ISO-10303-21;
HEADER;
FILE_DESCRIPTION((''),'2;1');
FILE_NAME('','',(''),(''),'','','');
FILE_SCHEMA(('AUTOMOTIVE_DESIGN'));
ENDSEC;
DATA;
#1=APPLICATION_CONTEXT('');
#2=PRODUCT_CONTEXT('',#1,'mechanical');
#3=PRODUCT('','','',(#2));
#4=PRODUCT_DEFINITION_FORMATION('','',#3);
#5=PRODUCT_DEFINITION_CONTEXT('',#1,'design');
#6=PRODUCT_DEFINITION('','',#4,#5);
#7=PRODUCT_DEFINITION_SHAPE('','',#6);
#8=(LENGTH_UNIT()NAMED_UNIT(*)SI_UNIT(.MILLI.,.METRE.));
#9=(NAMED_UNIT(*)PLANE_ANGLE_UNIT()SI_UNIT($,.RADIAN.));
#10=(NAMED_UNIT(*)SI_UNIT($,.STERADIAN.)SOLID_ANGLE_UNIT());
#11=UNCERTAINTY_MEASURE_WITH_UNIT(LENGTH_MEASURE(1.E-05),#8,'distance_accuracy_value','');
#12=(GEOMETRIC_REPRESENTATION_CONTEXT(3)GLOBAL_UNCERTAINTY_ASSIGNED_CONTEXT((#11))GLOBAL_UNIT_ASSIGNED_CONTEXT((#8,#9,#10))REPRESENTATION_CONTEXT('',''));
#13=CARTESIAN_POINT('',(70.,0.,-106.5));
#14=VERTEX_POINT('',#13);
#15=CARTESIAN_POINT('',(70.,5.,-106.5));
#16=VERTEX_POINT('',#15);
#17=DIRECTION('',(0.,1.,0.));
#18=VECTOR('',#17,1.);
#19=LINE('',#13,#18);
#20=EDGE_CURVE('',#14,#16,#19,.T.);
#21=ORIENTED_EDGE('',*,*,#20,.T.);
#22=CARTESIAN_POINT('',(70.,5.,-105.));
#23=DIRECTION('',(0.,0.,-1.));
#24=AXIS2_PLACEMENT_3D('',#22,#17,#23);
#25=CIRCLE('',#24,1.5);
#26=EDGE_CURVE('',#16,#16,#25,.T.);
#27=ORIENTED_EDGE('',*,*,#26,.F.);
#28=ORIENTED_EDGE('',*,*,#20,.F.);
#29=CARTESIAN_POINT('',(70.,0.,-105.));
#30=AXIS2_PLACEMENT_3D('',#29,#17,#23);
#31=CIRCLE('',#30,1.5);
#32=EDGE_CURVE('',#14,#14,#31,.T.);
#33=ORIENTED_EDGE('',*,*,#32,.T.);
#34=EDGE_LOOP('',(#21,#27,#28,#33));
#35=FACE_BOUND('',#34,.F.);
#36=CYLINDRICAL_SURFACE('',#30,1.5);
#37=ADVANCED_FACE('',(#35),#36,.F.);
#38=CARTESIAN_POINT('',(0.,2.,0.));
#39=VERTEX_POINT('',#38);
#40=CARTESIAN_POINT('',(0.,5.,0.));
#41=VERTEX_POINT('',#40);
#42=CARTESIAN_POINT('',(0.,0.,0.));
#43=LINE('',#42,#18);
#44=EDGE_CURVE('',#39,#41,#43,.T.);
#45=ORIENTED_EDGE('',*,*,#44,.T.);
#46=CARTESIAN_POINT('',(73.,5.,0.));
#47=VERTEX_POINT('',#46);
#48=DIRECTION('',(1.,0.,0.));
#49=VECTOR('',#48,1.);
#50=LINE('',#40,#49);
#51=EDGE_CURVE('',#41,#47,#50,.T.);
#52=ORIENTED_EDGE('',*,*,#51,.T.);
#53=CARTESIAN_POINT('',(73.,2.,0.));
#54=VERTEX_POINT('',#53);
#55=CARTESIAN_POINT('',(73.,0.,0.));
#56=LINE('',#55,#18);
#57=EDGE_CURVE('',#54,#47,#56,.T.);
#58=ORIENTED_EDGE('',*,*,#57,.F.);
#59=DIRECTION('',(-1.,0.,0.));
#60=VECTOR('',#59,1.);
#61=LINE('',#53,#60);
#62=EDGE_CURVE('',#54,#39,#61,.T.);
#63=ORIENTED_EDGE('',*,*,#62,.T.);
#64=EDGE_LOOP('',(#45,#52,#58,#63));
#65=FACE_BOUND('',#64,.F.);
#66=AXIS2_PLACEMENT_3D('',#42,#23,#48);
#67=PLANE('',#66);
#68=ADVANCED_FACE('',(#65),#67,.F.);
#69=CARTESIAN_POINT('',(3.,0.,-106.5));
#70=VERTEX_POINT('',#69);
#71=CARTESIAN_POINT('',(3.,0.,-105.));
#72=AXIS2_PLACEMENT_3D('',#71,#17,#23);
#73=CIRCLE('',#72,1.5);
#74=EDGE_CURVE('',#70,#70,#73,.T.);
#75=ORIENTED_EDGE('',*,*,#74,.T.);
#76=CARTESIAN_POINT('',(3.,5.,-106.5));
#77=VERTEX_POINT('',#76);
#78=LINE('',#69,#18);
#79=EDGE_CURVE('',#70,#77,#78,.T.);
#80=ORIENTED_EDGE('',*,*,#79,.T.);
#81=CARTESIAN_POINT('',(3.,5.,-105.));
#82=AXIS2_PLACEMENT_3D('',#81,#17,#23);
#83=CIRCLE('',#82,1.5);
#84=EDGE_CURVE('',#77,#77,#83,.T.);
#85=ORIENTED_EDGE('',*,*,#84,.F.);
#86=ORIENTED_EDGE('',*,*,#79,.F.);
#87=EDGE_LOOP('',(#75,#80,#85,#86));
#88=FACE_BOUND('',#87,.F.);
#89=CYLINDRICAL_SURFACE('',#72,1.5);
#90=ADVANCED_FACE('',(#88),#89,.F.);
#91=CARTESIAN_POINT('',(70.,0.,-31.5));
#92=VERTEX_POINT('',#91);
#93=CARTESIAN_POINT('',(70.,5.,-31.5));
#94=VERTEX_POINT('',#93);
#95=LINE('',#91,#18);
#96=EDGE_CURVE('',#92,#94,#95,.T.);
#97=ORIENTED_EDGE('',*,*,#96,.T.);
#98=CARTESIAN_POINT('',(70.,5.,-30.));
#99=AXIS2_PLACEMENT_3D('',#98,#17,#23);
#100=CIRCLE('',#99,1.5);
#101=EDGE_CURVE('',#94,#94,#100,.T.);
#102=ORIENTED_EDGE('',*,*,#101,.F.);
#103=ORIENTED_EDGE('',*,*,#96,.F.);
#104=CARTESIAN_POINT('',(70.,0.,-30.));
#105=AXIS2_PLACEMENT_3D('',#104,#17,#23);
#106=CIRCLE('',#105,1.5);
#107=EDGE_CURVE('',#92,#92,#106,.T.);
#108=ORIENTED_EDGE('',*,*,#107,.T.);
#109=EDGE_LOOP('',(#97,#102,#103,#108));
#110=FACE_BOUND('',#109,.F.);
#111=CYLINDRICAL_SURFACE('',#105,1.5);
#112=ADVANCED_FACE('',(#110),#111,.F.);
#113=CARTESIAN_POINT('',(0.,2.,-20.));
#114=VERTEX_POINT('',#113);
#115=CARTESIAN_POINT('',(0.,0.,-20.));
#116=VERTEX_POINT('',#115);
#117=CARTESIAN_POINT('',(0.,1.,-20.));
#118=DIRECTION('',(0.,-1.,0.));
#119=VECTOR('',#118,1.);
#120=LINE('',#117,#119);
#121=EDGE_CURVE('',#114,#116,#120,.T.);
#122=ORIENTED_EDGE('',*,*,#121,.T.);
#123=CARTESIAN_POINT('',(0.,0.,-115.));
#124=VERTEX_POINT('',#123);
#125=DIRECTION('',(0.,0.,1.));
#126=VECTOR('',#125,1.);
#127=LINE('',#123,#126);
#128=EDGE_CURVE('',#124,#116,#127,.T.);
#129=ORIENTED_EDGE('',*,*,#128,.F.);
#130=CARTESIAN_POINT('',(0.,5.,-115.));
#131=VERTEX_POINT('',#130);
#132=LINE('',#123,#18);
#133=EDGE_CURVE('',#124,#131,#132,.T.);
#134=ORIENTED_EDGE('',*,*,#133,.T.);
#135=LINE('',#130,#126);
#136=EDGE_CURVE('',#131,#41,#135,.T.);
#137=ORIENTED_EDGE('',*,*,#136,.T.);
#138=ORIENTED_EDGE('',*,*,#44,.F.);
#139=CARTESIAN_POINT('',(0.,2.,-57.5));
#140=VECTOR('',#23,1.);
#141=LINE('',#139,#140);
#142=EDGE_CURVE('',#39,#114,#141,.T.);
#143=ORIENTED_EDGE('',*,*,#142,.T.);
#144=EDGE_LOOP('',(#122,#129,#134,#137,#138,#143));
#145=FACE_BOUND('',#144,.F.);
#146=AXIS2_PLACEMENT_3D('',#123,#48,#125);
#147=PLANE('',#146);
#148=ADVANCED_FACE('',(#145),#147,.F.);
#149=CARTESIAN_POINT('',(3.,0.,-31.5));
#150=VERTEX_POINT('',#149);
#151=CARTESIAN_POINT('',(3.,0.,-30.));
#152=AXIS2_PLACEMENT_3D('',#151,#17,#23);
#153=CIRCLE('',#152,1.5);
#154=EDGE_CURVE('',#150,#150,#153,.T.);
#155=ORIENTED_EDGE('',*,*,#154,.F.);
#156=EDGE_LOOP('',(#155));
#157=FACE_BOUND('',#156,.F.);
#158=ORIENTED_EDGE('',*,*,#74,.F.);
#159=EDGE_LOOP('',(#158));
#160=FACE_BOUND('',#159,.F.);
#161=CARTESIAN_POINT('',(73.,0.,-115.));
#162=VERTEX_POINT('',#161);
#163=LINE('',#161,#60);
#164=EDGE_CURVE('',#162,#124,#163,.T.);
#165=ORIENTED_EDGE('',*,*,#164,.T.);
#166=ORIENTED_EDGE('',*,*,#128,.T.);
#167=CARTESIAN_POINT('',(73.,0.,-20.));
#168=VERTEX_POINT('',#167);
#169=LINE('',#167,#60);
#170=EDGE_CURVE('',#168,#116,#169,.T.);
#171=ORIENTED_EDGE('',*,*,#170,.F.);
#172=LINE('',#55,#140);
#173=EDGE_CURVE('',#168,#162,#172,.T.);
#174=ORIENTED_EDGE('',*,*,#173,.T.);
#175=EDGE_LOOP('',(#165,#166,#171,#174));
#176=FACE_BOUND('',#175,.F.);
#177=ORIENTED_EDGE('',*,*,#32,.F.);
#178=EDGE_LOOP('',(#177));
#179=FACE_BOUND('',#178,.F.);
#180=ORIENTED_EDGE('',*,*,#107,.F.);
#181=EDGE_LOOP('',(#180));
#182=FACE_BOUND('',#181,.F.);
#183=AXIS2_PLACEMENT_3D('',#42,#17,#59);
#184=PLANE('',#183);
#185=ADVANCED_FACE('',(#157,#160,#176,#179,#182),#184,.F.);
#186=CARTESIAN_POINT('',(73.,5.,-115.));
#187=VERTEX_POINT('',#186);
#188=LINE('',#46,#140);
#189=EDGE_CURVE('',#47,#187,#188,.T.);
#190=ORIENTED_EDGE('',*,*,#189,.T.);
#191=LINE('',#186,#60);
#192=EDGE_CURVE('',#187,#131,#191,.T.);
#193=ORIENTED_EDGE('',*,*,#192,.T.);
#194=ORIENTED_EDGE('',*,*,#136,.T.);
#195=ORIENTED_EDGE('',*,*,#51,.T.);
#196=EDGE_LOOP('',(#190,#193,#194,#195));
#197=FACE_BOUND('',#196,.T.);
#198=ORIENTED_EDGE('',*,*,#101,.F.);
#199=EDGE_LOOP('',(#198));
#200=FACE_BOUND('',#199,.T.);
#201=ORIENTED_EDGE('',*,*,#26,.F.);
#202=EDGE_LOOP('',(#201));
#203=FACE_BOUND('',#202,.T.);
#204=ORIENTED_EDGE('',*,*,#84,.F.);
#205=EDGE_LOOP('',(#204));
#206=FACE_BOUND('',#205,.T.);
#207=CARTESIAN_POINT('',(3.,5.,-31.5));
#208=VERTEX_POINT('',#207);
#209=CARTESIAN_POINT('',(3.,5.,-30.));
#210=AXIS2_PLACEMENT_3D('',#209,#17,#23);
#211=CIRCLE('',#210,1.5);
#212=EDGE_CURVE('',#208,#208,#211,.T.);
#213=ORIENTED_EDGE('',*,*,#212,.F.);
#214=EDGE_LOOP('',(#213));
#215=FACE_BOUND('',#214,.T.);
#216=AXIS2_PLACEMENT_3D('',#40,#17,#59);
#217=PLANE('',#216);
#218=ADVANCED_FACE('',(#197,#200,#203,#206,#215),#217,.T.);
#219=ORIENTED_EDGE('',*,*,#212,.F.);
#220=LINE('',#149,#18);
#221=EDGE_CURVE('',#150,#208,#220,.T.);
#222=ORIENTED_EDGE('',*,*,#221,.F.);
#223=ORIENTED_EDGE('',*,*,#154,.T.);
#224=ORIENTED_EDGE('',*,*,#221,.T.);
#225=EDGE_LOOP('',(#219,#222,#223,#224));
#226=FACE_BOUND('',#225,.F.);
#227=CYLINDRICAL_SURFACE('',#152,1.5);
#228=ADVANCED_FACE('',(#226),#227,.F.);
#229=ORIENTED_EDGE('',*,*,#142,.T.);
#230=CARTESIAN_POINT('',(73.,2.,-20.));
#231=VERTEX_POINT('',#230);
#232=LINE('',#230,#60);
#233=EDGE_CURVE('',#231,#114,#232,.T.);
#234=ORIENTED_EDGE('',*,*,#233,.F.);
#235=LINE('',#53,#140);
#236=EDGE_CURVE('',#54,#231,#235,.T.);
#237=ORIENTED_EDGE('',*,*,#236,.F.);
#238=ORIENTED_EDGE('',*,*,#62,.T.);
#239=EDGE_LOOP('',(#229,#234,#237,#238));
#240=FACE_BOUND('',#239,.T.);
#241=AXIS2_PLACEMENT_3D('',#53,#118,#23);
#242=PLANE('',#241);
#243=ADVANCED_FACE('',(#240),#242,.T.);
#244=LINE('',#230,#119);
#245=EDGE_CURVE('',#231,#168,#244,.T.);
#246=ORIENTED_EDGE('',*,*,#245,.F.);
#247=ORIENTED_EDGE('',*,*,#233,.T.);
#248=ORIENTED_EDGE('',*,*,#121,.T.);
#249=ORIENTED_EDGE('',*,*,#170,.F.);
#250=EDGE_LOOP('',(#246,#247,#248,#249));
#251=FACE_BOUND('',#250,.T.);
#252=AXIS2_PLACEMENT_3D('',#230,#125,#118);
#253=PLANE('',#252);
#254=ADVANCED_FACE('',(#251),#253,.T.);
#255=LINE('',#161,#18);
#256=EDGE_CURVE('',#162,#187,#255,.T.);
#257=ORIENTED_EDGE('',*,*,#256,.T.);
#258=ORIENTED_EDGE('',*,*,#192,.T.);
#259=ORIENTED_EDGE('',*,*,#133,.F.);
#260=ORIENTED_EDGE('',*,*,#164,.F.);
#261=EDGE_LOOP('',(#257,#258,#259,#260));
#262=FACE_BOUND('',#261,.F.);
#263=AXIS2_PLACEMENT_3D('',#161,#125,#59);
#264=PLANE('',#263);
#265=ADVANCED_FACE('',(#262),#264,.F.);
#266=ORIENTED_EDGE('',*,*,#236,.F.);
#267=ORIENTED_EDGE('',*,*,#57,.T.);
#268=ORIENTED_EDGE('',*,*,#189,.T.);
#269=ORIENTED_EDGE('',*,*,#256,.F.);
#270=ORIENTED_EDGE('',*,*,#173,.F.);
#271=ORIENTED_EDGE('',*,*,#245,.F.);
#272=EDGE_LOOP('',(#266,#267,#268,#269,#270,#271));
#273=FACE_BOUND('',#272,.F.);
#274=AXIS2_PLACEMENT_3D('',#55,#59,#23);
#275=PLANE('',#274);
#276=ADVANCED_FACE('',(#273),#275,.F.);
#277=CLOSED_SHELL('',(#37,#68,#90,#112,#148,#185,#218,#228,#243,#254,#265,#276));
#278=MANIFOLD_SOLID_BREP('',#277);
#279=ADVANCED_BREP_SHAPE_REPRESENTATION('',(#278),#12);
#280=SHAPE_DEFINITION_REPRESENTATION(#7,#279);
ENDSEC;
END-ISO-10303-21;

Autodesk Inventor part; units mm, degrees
ref_plane "YZ Plane" through (0, 0, 0) normal (1, 0, 0) x (0, 1, 0)
ref_plane "XZ Plane" through (0, 0, 0) normal (0, 1, 0) x (-1, 0, 0)
ref_plane "XY Plane" through (0, 0, 0) normal (0, 0, 1) x (1, 0, 0)
sketch "Sketch1" plane through (0, 0, 0) normal (0, 1, 0) x (-1, 0, 0)
  line L0 (0, 0) -> (-73, 0)
  line L1 (-73, 0) -> (-73, -115)
  line L2 (-73, -115) -> (0, -115)
  line L3 (0, -115) -> (0, 0)
  dimension "d0" = 115
  dimension "d1" = 73
extrude "Extrusion1" add sketch "Sketch1" along normal blind 5
sketch "Sketch2" plane through (73, 0, 0) normal (1, 0, 0) x (0, 0, -1)
  line L0 (0, 0) -> (0, 5) construction
  line L1 (0, 0) -> (115, 0) construction
  line L2 (0, 2) -> (20, 2)
  line L3 (20, 2) -> (20, 0)
  line L4 (0, 2) -> (0, 0)
  line L5 (20, 0) -> (0, 0)
  dimension "d4" = 20
  dimension "d5" = 2
extrude "Extrusion2" cut sketch "Sketch2" against normal through all
sketch "Sketch3" plane through (0, 0, 0) normal (0, -1, 0) x (1, 0, 0)
  line L0 (0, -115) -> (0, 0) construction
  line L1 (73, -115) -> (0, -115) construction
  line L2 (0, 0) -> (73, 0) construction
  line L3 (73, 0) -> (73, -115) construction
  line L4 (73, -20) -> (0, -20) construction
  line L5 (36.5, -115) -> (36.5, -20) construction
  line L6 (73, -20) -> (0, -20) construction
  point P0 (3, -105)
  point P1 (3, -30)
  point P2 (70, -105)
  point P3 (70, -30)
  dimension "d8" = 10
  dimension "d9" = 3
  dimension "d10" = 3
  dimension "d11" = 10
hole "Hole1" at (3, 0, -105) at (3, 0, -30) at (70, 0, -105) at (70, 0, -30) direction (0, 1, 0) diameter 3 end through all
equation "\"d10\" = d9"
equation "\"d11\" = d8"
properties part number "arduinoShelf" material "Plywood, Sheathing"
